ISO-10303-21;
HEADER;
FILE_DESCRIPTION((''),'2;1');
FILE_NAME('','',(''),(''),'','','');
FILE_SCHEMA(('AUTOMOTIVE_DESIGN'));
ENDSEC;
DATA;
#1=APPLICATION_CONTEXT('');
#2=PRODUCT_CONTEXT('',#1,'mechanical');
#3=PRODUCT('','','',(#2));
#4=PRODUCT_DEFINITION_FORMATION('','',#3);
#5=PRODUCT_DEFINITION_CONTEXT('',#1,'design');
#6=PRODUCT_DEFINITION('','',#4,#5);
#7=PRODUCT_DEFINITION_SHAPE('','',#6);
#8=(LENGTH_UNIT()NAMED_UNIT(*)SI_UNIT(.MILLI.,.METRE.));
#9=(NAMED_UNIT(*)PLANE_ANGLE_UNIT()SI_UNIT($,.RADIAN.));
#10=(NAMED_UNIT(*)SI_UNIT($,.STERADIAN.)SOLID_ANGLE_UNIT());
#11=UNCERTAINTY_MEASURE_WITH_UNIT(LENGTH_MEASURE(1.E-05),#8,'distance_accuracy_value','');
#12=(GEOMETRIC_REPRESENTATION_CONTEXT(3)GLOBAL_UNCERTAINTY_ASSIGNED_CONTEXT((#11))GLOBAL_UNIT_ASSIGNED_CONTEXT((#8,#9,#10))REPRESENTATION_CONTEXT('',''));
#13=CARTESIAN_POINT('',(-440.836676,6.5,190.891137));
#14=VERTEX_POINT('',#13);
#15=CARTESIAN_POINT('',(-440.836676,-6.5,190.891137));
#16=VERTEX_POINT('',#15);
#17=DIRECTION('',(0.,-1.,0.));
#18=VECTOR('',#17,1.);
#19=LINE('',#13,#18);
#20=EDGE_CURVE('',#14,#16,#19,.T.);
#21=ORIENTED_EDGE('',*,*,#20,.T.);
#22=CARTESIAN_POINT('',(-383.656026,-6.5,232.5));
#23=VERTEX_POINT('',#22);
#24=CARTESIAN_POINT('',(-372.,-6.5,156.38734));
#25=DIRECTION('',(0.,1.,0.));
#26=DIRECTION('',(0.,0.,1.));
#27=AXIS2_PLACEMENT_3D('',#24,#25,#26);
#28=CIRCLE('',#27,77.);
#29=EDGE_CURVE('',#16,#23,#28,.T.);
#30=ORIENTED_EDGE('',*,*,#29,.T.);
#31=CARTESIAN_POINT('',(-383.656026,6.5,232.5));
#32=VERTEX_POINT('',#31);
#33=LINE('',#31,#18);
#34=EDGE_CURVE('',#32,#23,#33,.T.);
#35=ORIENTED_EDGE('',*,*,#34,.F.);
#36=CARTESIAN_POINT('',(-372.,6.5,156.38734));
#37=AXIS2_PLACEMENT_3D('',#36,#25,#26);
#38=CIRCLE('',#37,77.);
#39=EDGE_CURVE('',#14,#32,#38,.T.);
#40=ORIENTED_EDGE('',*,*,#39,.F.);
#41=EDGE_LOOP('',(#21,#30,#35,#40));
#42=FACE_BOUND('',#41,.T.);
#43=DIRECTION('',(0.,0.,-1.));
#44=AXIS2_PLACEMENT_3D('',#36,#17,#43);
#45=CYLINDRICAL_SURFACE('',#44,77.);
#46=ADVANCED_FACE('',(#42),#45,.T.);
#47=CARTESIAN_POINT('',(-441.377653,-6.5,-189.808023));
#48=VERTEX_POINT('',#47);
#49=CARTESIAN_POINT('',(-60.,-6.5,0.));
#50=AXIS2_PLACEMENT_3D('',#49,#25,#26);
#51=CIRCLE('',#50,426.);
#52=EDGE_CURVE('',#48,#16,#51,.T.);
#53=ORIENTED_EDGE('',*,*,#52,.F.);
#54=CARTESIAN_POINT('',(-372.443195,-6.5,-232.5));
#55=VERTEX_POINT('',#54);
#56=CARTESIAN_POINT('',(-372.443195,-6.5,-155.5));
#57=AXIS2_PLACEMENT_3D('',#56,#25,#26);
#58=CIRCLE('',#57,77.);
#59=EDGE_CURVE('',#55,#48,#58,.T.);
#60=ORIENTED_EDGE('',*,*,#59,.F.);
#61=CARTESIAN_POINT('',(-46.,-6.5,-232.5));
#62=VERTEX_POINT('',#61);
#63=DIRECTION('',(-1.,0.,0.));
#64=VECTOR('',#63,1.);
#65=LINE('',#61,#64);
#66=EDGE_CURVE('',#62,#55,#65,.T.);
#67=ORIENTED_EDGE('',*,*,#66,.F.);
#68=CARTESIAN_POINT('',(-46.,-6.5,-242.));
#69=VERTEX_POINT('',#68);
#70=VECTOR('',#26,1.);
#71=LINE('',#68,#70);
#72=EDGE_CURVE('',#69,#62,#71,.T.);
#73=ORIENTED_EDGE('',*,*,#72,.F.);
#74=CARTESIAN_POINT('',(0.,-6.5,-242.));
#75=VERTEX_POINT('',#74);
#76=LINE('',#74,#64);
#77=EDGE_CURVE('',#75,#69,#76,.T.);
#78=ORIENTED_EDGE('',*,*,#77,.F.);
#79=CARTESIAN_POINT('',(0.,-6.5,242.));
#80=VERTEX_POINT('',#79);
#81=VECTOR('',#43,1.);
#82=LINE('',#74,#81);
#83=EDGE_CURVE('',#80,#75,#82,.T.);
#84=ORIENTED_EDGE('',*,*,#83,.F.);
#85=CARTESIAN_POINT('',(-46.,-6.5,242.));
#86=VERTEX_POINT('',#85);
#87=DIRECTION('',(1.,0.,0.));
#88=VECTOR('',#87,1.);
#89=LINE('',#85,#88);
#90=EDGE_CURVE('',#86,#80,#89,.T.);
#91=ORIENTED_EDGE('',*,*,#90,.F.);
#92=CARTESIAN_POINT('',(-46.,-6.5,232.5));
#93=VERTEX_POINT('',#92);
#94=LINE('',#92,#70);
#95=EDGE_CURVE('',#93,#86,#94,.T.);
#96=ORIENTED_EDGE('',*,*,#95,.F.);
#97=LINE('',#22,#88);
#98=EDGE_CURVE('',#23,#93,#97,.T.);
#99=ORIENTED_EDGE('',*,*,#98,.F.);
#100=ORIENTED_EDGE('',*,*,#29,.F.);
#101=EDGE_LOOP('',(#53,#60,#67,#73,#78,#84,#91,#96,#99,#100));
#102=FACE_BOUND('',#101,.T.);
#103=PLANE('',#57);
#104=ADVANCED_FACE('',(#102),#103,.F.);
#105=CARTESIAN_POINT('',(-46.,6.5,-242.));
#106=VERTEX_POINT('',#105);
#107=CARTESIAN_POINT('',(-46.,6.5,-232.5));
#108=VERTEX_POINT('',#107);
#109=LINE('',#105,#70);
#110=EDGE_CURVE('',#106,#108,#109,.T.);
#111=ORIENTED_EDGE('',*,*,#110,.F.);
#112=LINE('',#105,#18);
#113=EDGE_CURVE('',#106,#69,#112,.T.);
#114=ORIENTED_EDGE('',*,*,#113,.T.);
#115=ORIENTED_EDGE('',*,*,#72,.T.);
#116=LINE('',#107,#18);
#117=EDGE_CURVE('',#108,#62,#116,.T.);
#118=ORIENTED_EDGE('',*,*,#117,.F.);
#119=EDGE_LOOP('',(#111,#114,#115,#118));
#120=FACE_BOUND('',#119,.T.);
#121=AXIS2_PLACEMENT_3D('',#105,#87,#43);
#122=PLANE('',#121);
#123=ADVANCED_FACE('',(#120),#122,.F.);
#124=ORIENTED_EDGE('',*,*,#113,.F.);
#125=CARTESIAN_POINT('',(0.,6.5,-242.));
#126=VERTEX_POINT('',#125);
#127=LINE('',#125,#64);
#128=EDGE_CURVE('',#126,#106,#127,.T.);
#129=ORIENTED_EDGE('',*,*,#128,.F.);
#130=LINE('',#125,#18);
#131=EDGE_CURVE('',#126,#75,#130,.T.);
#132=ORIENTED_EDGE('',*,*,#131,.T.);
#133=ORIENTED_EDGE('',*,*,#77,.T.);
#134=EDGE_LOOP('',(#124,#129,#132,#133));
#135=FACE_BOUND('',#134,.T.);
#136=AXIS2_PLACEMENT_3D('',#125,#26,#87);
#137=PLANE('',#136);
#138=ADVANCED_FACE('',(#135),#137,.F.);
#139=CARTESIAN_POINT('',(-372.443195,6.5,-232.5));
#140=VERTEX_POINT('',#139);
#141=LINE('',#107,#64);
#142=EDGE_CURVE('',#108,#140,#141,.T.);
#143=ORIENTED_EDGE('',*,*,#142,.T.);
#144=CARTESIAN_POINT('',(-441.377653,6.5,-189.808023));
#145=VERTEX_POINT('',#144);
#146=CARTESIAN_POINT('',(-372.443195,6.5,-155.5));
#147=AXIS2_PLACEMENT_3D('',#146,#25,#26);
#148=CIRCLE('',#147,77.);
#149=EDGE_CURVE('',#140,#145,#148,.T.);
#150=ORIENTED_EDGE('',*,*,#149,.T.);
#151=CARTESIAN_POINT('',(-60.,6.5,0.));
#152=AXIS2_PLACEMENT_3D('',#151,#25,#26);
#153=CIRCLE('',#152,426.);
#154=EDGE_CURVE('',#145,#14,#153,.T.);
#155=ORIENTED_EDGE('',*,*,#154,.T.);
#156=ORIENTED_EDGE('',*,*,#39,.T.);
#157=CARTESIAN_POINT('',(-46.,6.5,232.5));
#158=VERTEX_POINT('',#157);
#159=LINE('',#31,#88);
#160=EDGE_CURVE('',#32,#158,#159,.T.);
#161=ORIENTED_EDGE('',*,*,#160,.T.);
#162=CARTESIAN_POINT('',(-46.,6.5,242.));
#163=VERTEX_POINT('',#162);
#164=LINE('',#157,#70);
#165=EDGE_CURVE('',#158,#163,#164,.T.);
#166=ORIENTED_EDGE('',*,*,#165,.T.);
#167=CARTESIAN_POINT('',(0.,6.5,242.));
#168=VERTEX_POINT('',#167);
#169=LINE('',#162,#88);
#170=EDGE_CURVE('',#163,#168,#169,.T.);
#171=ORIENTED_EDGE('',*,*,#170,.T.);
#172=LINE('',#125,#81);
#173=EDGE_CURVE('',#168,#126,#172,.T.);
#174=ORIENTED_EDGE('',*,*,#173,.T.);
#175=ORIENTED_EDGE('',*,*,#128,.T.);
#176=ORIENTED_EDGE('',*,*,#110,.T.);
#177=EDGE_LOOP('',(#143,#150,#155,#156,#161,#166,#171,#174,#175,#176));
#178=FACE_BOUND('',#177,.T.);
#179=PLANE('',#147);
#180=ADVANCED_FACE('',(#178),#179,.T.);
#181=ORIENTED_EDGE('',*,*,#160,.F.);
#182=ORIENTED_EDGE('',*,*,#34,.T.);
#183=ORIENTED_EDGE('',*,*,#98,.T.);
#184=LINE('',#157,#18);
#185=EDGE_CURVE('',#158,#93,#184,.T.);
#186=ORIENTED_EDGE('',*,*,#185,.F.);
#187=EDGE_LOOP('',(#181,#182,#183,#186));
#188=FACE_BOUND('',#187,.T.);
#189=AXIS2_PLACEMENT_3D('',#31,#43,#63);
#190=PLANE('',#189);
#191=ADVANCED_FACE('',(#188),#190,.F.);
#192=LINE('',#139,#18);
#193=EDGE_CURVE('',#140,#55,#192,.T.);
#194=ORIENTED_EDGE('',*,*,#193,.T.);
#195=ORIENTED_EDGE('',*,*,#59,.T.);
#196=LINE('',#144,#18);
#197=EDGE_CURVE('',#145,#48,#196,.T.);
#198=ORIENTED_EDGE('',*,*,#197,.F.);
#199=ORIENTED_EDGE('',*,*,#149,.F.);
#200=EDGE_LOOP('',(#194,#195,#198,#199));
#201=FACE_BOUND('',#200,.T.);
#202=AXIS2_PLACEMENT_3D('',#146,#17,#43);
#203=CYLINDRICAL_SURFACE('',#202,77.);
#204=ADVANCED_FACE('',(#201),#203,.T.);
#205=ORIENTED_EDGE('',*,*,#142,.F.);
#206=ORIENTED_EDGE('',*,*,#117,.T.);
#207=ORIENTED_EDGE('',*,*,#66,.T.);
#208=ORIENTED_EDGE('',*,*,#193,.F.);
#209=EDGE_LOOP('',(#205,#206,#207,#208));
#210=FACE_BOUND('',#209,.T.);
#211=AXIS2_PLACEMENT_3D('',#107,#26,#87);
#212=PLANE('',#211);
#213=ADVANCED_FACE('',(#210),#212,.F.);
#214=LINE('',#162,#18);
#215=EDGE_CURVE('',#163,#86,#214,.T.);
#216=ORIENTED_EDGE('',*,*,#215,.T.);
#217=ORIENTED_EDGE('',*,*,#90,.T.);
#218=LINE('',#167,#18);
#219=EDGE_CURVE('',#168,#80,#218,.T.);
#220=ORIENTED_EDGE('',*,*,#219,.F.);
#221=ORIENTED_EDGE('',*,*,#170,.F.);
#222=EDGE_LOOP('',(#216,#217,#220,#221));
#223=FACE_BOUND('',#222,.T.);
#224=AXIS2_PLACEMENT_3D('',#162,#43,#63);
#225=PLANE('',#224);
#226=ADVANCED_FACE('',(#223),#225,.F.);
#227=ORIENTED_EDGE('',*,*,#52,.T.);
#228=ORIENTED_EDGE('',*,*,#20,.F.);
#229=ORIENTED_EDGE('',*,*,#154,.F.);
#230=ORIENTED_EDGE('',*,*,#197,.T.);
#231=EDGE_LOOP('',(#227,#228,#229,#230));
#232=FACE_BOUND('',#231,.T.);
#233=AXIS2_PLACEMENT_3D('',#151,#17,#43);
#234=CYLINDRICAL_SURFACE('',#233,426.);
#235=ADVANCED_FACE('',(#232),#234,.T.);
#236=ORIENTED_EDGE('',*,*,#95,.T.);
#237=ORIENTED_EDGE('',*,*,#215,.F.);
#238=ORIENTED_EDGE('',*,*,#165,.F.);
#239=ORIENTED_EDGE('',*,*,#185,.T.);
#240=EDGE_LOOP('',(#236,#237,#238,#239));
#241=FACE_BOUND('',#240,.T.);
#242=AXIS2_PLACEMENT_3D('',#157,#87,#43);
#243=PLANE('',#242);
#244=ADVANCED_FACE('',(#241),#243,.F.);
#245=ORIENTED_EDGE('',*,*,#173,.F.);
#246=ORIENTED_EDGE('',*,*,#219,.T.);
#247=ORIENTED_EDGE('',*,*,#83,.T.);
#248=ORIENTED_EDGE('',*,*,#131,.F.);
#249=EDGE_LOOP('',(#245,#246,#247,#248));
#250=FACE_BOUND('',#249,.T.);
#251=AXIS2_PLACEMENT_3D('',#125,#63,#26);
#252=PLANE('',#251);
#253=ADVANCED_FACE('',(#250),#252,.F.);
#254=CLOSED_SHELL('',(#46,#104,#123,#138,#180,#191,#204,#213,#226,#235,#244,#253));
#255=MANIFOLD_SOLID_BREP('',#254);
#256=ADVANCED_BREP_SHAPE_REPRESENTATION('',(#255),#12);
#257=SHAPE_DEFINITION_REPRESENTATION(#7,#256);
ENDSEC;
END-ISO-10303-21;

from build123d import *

# Parameters (mm, degrees)
BOSS_EXTRUDE1_DEPTH = 6.5


with BuildPart() as part:
    # Sketch1 → Boss-Extrude1 (new, symmetric)
    with BuildSketch(Plane(origin=(0, 0, 0), x_dir=(1, 0, 0), z_dir=(0, 1, 0))):
        with BuildLine():
            Line((0, 242), (0, -242))
            Line((0, -242), (-46, -242))
            Line((-46, -242), (-46, -232.5))
            Line((-46, -232.5), (-383.656025613, -232.5))
            ThreePointArc((-383.656025613, -232.5), (-417.305553076, -218.648136781), (-440.836676218, -190.891136639))
            ThreePointArc((-440.836676218, -190.891136639), (-485.999569897, -0.605349387), (-441.377653297, 189.808022923))
            ThreePointArc((-441.377653297, 189.808022923), (-412.985038869, 220.962652578), (-372.443194837, 232.5))
            Line((-372.443194837, 232.5), (-46, 232.5))
            Line((-46, 232.5), (-46, 242))
            Line((-46, 242), (0, 242))
        make_face()
    extrude(amount=BOSS_EXTRUDE1_DEPTH, both=True)


solid = part.part
